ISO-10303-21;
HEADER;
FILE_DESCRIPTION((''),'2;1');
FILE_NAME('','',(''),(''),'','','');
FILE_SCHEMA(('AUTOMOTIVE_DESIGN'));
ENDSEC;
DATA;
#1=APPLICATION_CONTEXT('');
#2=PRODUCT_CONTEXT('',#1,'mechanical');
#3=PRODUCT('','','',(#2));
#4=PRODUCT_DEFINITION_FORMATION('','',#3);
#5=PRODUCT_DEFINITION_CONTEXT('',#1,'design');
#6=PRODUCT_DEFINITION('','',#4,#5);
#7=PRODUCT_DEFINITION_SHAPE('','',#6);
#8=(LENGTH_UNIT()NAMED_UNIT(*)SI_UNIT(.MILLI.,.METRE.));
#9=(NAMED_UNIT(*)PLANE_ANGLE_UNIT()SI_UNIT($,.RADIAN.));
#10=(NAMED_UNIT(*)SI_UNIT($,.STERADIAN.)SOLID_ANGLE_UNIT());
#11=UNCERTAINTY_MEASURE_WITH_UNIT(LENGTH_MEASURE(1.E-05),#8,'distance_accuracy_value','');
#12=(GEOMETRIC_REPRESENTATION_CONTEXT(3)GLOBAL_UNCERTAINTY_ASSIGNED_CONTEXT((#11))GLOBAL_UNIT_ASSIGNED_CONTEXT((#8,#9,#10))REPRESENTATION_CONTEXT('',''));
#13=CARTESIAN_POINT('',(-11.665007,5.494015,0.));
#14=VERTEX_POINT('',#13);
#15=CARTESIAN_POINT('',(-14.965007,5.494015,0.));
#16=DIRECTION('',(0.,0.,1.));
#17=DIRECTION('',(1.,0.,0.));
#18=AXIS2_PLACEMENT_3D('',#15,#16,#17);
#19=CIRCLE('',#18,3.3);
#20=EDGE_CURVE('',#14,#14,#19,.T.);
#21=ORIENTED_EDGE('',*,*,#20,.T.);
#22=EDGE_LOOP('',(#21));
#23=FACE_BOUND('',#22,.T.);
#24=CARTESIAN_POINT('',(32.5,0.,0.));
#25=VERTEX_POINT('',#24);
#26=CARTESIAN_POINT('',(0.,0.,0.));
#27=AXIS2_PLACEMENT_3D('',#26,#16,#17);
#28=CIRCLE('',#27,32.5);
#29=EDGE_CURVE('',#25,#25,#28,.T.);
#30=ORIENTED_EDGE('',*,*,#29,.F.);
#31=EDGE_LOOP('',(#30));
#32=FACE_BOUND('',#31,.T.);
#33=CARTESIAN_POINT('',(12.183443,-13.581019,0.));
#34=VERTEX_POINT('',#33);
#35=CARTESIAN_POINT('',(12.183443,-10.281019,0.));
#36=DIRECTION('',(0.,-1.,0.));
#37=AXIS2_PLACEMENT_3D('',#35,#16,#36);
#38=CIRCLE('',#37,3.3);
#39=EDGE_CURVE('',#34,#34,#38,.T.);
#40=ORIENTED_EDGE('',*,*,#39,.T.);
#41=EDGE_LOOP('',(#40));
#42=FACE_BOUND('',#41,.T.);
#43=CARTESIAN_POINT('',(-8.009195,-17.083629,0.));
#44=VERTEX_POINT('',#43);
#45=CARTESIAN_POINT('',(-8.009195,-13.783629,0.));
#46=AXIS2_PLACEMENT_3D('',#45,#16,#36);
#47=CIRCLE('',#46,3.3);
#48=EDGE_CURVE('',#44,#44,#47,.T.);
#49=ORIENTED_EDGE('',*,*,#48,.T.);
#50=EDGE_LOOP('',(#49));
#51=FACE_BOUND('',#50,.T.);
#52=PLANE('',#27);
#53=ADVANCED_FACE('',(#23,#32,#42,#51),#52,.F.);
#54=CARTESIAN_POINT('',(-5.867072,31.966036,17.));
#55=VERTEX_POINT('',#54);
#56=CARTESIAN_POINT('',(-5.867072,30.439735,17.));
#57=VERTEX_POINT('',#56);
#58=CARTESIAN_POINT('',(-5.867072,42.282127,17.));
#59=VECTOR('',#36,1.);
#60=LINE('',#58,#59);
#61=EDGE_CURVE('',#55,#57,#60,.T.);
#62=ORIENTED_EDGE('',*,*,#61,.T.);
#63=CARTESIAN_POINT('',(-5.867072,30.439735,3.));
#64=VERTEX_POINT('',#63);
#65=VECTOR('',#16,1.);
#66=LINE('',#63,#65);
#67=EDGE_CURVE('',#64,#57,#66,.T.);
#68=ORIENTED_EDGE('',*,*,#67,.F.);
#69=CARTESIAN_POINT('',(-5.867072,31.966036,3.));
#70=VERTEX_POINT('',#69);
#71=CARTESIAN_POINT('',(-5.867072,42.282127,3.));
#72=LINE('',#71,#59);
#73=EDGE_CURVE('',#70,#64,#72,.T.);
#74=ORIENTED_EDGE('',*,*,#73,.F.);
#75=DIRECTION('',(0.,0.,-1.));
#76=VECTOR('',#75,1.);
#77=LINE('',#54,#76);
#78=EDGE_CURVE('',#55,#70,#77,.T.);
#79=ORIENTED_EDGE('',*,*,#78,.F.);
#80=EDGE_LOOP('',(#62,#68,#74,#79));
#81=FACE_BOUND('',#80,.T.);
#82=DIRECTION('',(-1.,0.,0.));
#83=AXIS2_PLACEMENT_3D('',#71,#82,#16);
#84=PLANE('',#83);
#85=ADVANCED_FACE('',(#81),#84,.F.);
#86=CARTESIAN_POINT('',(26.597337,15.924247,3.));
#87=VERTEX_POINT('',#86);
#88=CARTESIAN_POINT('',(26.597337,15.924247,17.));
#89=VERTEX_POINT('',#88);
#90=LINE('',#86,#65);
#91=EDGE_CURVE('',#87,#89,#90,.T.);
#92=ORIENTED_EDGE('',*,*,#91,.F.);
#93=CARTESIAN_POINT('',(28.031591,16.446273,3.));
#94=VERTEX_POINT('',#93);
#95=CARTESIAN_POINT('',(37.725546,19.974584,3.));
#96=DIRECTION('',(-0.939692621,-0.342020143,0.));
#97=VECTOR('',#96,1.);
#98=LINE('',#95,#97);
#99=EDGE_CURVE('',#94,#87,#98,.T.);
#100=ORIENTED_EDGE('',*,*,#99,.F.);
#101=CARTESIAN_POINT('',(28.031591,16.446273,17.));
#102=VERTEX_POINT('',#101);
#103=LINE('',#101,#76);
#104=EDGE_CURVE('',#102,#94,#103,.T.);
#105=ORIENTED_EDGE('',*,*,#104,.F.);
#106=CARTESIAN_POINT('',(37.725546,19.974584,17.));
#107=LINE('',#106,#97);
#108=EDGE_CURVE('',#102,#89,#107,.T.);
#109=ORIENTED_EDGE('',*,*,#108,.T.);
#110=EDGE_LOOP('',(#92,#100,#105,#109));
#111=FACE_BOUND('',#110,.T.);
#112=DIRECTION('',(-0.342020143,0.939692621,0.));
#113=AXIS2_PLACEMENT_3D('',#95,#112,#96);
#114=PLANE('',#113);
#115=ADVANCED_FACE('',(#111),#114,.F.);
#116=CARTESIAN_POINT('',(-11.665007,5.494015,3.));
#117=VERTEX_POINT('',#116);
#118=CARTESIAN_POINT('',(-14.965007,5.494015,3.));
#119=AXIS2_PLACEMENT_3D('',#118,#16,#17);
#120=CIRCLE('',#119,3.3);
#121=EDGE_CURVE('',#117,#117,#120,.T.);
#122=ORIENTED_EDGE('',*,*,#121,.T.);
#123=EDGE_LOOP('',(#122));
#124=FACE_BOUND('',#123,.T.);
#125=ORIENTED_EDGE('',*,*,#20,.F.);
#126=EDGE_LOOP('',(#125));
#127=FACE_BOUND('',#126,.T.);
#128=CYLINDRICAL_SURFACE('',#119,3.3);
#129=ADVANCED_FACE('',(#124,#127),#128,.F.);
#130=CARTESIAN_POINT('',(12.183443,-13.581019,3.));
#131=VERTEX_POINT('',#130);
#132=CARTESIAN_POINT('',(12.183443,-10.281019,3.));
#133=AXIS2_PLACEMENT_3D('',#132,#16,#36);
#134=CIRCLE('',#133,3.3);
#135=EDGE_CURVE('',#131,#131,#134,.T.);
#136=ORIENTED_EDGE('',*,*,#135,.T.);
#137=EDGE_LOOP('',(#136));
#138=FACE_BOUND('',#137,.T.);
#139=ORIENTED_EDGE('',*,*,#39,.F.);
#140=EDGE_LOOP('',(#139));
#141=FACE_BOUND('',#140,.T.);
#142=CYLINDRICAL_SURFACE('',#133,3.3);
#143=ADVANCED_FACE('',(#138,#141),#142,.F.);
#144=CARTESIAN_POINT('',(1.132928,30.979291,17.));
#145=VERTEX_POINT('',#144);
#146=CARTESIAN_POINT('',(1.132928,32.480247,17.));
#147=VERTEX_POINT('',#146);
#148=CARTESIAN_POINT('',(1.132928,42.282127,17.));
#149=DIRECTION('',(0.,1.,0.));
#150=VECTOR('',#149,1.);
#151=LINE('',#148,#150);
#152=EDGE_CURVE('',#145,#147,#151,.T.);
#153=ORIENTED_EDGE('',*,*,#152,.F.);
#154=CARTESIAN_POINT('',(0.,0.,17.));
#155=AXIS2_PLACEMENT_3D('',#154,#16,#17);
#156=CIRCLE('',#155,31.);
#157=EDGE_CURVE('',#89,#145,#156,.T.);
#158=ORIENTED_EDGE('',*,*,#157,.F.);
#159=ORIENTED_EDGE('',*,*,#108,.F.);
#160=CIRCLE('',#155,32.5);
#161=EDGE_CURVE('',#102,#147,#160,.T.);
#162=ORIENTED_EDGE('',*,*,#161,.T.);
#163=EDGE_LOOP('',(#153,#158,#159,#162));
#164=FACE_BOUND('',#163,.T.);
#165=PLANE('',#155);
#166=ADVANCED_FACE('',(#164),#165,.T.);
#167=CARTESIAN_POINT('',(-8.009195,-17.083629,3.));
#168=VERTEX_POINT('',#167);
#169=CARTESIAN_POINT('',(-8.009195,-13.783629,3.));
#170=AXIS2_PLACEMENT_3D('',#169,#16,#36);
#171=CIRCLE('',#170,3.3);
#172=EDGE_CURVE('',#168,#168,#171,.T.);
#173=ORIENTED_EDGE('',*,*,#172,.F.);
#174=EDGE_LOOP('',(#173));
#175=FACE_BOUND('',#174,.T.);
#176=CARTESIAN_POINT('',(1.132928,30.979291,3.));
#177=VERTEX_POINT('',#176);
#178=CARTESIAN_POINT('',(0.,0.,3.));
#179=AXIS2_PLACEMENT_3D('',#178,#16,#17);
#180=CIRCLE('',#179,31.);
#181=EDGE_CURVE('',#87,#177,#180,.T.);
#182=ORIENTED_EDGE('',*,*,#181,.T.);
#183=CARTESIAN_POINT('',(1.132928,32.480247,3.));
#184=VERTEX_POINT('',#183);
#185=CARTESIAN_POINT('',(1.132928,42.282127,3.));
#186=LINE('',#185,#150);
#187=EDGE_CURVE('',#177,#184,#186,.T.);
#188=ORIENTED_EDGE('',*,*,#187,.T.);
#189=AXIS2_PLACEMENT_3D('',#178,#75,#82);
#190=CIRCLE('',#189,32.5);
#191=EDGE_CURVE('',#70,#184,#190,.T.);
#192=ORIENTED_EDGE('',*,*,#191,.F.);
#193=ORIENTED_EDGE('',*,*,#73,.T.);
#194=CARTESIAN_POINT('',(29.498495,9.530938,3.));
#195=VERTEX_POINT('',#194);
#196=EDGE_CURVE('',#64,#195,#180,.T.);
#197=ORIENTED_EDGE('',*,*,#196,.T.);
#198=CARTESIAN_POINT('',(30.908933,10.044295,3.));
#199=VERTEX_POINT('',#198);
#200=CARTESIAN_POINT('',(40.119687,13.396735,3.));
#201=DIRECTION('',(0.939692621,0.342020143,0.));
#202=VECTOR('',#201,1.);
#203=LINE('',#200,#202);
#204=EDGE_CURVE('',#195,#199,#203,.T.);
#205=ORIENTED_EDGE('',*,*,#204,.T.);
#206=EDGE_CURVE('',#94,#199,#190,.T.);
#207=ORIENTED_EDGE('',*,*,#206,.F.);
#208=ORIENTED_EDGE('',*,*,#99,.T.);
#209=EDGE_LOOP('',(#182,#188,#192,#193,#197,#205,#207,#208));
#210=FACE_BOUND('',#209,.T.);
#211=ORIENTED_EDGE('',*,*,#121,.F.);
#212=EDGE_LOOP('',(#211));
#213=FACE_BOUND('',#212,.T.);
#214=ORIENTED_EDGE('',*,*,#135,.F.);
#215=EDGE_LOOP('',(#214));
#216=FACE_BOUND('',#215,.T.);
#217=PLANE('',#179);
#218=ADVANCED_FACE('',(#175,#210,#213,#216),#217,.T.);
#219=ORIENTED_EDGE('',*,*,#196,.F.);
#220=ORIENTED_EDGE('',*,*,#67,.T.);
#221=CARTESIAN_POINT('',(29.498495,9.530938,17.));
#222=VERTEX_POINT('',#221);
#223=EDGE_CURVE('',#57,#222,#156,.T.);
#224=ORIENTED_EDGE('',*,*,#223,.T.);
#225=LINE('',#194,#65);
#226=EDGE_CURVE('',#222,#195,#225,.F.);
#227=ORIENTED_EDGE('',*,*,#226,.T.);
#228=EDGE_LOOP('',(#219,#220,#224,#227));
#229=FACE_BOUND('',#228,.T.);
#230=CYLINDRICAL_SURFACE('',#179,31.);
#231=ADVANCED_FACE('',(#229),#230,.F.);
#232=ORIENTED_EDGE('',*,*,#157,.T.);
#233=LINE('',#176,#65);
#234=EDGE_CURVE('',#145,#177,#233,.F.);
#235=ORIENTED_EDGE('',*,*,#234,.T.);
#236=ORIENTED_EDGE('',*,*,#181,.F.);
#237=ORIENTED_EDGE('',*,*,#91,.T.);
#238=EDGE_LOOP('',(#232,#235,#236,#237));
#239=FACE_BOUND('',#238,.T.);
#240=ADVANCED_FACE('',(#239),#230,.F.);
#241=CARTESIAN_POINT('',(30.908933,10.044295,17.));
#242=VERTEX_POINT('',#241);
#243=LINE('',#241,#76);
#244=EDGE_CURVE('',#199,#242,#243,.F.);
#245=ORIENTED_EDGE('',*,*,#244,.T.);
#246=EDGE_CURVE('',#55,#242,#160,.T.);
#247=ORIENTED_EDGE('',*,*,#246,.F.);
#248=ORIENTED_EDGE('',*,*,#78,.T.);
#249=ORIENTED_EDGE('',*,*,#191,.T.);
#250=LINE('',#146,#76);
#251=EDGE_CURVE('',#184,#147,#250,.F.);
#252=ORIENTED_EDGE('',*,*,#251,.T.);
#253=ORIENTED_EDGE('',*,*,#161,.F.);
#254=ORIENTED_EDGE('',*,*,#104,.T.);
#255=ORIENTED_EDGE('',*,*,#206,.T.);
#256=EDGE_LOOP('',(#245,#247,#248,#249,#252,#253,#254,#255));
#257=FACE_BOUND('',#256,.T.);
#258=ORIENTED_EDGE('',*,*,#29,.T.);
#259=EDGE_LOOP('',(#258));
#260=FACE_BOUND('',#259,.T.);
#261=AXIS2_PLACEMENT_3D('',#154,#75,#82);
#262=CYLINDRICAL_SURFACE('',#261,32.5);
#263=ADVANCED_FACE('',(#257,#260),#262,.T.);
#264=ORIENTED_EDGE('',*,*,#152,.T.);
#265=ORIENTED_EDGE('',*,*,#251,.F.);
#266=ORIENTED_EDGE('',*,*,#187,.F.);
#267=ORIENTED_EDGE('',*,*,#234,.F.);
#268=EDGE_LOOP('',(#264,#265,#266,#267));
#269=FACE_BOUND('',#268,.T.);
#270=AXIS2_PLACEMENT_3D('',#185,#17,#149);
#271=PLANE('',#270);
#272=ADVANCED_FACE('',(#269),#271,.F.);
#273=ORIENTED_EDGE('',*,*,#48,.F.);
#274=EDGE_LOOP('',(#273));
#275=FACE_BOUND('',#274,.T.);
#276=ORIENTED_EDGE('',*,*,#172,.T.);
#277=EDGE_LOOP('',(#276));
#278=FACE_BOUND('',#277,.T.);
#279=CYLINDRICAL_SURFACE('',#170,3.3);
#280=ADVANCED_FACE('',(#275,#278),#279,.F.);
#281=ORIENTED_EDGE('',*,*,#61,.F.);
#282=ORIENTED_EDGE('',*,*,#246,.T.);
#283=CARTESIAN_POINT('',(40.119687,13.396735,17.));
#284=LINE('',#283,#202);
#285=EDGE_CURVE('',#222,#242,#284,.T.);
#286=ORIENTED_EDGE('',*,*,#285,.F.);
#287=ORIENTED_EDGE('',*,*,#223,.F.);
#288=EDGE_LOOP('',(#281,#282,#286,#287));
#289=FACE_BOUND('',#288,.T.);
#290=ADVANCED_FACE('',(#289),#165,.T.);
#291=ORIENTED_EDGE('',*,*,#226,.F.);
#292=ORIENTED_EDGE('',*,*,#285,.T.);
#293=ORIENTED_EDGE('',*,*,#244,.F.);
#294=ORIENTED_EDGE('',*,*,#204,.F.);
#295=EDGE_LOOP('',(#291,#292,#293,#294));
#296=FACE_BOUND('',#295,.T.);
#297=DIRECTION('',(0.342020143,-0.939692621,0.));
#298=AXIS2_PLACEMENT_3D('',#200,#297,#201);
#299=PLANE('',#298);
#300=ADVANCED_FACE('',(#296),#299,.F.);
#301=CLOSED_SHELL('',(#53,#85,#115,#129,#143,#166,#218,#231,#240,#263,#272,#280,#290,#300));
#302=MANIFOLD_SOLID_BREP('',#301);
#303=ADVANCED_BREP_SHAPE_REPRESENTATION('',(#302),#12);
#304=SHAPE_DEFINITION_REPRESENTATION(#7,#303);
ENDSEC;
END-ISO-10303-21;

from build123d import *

# Parameters (mm, degrees)
ESQUISSE1_R                  = 32.5
BOSS_EXTRU_1_DEPTH           = 17
ESQUISSE2_R                  = 31
ENL_V_MAT_EXTRU_1_DEPTH      = 14
ESQUISSE3_W                  = 7
ESQUISSE3_H                  = 21.006684507
ENL_V_MAT_EXTRU_2_DEPTH      = 14
R_P_TITION_CIRCULAIRE1_COUNT = 2
R_P_TITION_CIRCULAIRE1_ANGLE = 70
D_GAGEMENT_M61_D             = 6.6
R_P_TITION_CIRCULAIRE2_COUNT = 3
R_P_TITION_CIRCULAIRE2_ANGLE = 160


with BuildPart() as part:
    # Esquisse1 → Boss.-Extru.1 (new body)
    with BuildSketch(Plane.XY):
        Circle(ESQUISSE1_R)
    extrude(amount=BOSS_EXTRU_1_DEPTH)

    # Esquisse2 → Enlèv. mat.-Extru.1 (cut)
    with BuildSketch(Plane.XY.offset(17)):
        Circle(ESQUISSE2_R)
    extrude(amount=-ENL_V_MAT_EXTRU_1_DEPTH, mode=Mode.SUBTRACT)

    # Esquisse3 → Enlèv. mat.-Extru.2 (cut)
    with BuildSketch(Plane.XY.offset(17)):
        with Locations((-2.367072337, 31.778784947)):
            Rectangle(ESQUISSE3_W, ESQUISSE3_H)
    enl_v_mat_extru_2 = extrude(amount=-ENL_V_MAT_EXTRU_2_DEPTH, mode=Mode.SUBTRACT)

    # Répétition circulaire1: Enlèv. mat.-Extru.2 ×2 about axis
    r_p_tition_circulaire1_axis = Axis((0, 0, 17), (0, 0, -1))
    for i in range(1, R_P_TITION_CIRCULAIRE1_COUNT):
        add(enl_v_mat_extru_2.rotate(r_p_tition_circulaire1_axis, i * R_P_TITION_CIRCULAIRE1_ANGLE / (R_P_TITION_CIRCULAIRE1_COUNT - 1)), mode=Mode.SUBTRACT)

    # Dégagement M61 (through all)
    with Locations(Plane.XY.offset(3)):
        with Locations((-14.965006824, 5.494015269)):
            d_gagement_m61 = Hole(D_GAGEMENT_M61_D / 2)

    # Répétition circulaire2: Dégagement M61 ×3 about axis
    r_p_tition_circulaire2_axis = Axis((0, 0, 0), (0, 0, 1))
    for i in range(1, R_P_TITION_CIRCULAIRE2_COUNT):
        add(d_gagement_m61.rotate(r_p_tition_circulaire2_axis, i * R_P_TITION_CIRCULAIRE2_ANGLE / (R_P_TITION_CIRCULAIRE2_COUNT - 1)), mode=Mode.SUBTRACT)


solid = part.part
